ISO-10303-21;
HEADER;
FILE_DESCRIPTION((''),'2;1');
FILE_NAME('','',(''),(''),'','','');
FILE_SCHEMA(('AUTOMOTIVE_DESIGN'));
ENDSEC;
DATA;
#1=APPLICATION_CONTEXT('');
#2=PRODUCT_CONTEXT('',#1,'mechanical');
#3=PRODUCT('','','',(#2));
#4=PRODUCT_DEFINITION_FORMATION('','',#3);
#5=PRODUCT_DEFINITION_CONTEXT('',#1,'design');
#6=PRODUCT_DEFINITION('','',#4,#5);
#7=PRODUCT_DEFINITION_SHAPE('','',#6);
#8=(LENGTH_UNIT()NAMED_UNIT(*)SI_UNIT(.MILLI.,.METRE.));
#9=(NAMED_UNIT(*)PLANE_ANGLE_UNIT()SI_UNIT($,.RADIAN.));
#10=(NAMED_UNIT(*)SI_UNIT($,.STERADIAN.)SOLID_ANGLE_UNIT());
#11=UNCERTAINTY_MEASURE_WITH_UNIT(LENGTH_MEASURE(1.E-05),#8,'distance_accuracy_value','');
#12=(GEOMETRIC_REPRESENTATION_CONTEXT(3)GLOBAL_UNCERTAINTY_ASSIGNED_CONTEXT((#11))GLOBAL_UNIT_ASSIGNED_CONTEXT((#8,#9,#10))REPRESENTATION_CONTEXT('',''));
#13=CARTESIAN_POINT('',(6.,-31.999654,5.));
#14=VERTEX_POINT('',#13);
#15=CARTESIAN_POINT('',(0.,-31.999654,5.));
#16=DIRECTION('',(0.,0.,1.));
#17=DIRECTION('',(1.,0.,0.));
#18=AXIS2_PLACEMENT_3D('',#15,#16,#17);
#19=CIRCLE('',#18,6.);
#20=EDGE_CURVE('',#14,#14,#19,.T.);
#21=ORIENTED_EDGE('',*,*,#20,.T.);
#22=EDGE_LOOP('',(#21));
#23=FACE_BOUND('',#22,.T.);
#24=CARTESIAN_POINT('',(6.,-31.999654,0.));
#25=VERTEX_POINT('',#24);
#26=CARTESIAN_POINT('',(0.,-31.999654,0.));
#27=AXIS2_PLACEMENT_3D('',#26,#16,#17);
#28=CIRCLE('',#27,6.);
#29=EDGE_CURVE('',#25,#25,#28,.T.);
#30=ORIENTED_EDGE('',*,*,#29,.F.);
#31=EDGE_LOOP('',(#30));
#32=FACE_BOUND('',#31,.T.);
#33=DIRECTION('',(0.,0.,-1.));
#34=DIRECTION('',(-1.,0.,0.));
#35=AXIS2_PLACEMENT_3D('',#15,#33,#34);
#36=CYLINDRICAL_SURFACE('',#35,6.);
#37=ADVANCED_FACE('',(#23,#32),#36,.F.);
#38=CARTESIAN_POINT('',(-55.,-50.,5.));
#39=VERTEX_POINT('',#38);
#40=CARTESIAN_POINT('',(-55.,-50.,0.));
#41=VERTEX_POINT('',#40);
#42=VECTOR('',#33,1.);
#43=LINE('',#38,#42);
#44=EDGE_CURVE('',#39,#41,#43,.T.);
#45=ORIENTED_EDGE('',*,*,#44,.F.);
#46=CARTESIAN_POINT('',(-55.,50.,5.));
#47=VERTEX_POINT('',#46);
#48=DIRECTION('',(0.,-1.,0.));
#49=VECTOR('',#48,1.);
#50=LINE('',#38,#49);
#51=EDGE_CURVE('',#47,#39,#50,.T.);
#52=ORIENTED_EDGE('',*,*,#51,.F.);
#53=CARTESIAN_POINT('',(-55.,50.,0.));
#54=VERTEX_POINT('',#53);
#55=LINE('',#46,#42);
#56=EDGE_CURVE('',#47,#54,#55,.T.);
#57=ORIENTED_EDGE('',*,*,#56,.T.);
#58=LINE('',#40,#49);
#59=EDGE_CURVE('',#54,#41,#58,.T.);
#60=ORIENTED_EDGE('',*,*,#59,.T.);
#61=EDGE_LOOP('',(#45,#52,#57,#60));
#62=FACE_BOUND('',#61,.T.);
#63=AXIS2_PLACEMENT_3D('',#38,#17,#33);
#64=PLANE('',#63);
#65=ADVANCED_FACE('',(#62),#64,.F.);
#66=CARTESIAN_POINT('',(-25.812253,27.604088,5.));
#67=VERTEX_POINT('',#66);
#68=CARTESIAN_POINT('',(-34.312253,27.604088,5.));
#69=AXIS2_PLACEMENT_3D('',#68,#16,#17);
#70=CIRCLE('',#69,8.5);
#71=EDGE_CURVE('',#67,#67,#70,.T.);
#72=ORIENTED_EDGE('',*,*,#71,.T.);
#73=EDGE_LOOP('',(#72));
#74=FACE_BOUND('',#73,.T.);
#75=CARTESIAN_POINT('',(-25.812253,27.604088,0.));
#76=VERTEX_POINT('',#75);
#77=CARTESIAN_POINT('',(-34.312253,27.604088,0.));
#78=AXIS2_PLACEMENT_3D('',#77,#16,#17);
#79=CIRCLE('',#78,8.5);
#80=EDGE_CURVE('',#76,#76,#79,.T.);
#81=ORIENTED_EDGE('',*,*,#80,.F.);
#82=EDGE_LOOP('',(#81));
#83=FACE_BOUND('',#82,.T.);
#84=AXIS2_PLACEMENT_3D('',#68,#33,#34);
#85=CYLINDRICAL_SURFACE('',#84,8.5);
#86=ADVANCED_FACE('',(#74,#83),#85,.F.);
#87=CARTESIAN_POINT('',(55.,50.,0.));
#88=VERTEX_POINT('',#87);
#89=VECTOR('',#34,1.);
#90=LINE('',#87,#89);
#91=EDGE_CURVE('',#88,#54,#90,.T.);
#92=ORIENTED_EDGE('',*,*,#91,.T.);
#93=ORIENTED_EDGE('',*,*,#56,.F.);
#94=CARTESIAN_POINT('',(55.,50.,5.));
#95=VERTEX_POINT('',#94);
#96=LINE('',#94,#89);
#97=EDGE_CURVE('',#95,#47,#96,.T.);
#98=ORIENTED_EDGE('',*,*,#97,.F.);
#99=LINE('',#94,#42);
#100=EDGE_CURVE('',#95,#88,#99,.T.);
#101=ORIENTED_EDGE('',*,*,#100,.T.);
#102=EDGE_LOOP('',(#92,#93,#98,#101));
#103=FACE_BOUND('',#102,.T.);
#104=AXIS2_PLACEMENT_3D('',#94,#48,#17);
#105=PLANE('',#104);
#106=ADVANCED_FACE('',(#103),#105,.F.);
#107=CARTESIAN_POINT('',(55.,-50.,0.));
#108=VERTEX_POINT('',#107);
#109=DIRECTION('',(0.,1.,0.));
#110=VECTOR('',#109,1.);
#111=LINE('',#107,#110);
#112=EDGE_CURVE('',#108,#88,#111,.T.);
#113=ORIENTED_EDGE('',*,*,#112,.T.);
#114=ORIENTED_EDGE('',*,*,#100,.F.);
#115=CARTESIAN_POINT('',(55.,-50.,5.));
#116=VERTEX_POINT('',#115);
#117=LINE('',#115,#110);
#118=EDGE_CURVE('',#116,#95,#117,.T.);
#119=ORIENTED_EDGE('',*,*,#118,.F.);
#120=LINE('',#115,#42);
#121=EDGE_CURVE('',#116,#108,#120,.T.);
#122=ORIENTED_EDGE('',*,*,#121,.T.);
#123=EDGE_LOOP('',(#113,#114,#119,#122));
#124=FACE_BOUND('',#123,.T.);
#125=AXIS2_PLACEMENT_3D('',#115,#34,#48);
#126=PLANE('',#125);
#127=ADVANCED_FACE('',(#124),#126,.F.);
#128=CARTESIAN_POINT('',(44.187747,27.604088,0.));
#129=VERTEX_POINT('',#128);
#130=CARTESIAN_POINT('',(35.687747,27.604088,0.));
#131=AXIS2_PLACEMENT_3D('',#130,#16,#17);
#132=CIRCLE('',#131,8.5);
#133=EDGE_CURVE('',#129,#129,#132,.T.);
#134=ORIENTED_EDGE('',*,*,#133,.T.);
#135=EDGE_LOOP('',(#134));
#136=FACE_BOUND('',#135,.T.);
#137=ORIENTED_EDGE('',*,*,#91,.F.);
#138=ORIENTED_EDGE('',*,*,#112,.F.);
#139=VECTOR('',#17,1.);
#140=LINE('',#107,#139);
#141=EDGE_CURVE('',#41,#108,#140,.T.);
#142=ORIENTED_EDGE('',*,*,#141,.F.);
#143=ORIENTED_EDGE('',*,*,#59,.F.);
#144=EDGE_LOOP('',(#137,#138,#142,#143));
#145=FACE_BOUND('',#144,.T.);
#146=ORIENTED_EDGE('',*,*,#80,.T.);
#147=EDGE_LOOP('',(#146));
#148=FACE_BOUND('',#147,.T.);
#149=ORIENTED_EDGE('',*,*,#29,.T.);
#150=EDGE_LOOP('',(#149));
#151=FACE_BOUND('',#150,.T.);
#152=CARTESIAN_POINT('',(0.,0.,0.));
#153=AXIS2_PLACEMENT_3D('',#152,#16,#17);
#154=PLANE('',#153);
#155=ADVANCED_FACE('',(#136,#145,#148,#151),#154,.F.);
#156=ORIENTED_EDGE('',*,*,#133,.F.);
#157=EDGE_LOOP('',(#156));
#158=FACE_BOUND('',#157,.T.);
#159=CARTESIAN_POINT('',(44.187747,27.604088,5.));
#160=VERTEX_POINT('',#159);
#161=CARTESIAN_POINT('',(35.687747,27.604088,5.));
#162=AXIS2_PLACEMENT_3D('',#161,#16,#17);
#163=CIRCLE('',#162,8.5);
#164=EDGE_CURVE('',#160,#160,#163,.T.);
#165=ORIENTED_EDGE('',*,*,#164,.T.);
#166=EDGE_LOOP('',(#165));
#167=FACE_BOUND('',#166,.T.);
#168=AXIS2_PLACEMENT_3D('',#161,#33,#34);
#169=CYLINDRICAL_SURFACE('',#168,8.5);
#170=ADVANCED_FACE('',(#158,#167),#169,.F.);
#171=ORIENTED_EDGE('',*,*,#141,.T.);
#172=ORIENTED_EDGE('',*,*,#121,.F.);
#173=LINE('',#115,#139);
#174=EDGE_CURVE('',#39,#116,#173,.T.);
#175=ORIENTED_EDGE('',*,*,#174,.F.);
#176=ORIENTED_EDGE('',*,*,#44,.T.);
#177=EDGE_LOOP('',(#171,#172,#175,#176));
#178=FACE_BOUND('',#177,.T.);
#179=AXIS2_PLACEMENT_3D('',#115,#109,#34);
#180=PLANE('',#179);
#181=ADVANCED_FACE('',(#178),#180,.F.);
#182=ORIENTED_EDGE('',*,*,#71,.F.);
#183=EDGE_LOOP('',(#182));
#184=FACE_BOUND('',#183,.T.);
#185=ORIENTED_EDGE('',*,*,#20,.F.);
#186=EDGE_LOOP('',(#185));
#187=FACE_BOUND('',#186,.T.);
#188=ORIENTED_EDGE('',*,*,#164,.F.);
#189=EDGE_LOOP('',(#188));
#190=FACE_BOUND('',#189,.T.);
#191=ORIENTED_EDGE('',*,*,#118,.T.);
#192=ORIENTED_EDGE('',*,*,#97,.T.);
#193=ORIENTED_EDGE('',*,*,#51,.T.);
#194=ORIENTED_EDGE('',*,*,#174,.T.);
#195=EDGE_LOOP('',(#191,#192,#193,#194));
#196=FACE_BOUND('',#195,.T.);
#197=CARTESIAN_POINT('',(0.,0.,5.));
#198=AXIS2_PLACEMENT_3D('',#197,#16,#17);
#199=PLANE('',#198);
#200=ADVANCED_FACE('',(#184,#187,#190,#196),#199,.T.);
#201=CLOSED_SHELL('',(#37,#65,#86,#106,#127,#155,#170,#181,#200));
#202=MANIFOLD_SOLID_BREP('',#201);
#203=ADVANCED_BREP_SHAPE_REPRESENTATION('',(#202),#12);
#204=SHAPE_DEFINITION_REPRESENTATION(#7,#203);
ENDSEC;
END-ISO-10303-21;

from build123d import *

# Parameters (mm, degrees)
CROQUIS1_W              = 110
CROQUIS1_H              = 100
CROQUIS1_R              = 6
CROQUIS1_R_2            = 8.5
SALIENTE_EXTRUIR1_DEPTH = 5


with BuildPart() as part:
    # Croquis1 → Saliente-Extruir1 (new body)
    with BuildSketch(Plane.XY):
        Rectangle(CROQUIS1_W, CROQUIS1_H)
        with Locations((0, -31.999654028)):
            Circle(CROQUIS1_R, mode=Mode.SUBTRACT)
        with Locations((35.687746761, 27.604087741)):
            Circle(CROQUIS1_R_2, mode=Mode.SUBTRACT)
        with Locations((-34.312253239, 27.604087741)):
            Circle(CROQUIS1_R_2, mode=Mode.SUBTRACT)
    extrude(amount=SALIENTE_EXTRUIR1_DEPTH)


solid = part.part
